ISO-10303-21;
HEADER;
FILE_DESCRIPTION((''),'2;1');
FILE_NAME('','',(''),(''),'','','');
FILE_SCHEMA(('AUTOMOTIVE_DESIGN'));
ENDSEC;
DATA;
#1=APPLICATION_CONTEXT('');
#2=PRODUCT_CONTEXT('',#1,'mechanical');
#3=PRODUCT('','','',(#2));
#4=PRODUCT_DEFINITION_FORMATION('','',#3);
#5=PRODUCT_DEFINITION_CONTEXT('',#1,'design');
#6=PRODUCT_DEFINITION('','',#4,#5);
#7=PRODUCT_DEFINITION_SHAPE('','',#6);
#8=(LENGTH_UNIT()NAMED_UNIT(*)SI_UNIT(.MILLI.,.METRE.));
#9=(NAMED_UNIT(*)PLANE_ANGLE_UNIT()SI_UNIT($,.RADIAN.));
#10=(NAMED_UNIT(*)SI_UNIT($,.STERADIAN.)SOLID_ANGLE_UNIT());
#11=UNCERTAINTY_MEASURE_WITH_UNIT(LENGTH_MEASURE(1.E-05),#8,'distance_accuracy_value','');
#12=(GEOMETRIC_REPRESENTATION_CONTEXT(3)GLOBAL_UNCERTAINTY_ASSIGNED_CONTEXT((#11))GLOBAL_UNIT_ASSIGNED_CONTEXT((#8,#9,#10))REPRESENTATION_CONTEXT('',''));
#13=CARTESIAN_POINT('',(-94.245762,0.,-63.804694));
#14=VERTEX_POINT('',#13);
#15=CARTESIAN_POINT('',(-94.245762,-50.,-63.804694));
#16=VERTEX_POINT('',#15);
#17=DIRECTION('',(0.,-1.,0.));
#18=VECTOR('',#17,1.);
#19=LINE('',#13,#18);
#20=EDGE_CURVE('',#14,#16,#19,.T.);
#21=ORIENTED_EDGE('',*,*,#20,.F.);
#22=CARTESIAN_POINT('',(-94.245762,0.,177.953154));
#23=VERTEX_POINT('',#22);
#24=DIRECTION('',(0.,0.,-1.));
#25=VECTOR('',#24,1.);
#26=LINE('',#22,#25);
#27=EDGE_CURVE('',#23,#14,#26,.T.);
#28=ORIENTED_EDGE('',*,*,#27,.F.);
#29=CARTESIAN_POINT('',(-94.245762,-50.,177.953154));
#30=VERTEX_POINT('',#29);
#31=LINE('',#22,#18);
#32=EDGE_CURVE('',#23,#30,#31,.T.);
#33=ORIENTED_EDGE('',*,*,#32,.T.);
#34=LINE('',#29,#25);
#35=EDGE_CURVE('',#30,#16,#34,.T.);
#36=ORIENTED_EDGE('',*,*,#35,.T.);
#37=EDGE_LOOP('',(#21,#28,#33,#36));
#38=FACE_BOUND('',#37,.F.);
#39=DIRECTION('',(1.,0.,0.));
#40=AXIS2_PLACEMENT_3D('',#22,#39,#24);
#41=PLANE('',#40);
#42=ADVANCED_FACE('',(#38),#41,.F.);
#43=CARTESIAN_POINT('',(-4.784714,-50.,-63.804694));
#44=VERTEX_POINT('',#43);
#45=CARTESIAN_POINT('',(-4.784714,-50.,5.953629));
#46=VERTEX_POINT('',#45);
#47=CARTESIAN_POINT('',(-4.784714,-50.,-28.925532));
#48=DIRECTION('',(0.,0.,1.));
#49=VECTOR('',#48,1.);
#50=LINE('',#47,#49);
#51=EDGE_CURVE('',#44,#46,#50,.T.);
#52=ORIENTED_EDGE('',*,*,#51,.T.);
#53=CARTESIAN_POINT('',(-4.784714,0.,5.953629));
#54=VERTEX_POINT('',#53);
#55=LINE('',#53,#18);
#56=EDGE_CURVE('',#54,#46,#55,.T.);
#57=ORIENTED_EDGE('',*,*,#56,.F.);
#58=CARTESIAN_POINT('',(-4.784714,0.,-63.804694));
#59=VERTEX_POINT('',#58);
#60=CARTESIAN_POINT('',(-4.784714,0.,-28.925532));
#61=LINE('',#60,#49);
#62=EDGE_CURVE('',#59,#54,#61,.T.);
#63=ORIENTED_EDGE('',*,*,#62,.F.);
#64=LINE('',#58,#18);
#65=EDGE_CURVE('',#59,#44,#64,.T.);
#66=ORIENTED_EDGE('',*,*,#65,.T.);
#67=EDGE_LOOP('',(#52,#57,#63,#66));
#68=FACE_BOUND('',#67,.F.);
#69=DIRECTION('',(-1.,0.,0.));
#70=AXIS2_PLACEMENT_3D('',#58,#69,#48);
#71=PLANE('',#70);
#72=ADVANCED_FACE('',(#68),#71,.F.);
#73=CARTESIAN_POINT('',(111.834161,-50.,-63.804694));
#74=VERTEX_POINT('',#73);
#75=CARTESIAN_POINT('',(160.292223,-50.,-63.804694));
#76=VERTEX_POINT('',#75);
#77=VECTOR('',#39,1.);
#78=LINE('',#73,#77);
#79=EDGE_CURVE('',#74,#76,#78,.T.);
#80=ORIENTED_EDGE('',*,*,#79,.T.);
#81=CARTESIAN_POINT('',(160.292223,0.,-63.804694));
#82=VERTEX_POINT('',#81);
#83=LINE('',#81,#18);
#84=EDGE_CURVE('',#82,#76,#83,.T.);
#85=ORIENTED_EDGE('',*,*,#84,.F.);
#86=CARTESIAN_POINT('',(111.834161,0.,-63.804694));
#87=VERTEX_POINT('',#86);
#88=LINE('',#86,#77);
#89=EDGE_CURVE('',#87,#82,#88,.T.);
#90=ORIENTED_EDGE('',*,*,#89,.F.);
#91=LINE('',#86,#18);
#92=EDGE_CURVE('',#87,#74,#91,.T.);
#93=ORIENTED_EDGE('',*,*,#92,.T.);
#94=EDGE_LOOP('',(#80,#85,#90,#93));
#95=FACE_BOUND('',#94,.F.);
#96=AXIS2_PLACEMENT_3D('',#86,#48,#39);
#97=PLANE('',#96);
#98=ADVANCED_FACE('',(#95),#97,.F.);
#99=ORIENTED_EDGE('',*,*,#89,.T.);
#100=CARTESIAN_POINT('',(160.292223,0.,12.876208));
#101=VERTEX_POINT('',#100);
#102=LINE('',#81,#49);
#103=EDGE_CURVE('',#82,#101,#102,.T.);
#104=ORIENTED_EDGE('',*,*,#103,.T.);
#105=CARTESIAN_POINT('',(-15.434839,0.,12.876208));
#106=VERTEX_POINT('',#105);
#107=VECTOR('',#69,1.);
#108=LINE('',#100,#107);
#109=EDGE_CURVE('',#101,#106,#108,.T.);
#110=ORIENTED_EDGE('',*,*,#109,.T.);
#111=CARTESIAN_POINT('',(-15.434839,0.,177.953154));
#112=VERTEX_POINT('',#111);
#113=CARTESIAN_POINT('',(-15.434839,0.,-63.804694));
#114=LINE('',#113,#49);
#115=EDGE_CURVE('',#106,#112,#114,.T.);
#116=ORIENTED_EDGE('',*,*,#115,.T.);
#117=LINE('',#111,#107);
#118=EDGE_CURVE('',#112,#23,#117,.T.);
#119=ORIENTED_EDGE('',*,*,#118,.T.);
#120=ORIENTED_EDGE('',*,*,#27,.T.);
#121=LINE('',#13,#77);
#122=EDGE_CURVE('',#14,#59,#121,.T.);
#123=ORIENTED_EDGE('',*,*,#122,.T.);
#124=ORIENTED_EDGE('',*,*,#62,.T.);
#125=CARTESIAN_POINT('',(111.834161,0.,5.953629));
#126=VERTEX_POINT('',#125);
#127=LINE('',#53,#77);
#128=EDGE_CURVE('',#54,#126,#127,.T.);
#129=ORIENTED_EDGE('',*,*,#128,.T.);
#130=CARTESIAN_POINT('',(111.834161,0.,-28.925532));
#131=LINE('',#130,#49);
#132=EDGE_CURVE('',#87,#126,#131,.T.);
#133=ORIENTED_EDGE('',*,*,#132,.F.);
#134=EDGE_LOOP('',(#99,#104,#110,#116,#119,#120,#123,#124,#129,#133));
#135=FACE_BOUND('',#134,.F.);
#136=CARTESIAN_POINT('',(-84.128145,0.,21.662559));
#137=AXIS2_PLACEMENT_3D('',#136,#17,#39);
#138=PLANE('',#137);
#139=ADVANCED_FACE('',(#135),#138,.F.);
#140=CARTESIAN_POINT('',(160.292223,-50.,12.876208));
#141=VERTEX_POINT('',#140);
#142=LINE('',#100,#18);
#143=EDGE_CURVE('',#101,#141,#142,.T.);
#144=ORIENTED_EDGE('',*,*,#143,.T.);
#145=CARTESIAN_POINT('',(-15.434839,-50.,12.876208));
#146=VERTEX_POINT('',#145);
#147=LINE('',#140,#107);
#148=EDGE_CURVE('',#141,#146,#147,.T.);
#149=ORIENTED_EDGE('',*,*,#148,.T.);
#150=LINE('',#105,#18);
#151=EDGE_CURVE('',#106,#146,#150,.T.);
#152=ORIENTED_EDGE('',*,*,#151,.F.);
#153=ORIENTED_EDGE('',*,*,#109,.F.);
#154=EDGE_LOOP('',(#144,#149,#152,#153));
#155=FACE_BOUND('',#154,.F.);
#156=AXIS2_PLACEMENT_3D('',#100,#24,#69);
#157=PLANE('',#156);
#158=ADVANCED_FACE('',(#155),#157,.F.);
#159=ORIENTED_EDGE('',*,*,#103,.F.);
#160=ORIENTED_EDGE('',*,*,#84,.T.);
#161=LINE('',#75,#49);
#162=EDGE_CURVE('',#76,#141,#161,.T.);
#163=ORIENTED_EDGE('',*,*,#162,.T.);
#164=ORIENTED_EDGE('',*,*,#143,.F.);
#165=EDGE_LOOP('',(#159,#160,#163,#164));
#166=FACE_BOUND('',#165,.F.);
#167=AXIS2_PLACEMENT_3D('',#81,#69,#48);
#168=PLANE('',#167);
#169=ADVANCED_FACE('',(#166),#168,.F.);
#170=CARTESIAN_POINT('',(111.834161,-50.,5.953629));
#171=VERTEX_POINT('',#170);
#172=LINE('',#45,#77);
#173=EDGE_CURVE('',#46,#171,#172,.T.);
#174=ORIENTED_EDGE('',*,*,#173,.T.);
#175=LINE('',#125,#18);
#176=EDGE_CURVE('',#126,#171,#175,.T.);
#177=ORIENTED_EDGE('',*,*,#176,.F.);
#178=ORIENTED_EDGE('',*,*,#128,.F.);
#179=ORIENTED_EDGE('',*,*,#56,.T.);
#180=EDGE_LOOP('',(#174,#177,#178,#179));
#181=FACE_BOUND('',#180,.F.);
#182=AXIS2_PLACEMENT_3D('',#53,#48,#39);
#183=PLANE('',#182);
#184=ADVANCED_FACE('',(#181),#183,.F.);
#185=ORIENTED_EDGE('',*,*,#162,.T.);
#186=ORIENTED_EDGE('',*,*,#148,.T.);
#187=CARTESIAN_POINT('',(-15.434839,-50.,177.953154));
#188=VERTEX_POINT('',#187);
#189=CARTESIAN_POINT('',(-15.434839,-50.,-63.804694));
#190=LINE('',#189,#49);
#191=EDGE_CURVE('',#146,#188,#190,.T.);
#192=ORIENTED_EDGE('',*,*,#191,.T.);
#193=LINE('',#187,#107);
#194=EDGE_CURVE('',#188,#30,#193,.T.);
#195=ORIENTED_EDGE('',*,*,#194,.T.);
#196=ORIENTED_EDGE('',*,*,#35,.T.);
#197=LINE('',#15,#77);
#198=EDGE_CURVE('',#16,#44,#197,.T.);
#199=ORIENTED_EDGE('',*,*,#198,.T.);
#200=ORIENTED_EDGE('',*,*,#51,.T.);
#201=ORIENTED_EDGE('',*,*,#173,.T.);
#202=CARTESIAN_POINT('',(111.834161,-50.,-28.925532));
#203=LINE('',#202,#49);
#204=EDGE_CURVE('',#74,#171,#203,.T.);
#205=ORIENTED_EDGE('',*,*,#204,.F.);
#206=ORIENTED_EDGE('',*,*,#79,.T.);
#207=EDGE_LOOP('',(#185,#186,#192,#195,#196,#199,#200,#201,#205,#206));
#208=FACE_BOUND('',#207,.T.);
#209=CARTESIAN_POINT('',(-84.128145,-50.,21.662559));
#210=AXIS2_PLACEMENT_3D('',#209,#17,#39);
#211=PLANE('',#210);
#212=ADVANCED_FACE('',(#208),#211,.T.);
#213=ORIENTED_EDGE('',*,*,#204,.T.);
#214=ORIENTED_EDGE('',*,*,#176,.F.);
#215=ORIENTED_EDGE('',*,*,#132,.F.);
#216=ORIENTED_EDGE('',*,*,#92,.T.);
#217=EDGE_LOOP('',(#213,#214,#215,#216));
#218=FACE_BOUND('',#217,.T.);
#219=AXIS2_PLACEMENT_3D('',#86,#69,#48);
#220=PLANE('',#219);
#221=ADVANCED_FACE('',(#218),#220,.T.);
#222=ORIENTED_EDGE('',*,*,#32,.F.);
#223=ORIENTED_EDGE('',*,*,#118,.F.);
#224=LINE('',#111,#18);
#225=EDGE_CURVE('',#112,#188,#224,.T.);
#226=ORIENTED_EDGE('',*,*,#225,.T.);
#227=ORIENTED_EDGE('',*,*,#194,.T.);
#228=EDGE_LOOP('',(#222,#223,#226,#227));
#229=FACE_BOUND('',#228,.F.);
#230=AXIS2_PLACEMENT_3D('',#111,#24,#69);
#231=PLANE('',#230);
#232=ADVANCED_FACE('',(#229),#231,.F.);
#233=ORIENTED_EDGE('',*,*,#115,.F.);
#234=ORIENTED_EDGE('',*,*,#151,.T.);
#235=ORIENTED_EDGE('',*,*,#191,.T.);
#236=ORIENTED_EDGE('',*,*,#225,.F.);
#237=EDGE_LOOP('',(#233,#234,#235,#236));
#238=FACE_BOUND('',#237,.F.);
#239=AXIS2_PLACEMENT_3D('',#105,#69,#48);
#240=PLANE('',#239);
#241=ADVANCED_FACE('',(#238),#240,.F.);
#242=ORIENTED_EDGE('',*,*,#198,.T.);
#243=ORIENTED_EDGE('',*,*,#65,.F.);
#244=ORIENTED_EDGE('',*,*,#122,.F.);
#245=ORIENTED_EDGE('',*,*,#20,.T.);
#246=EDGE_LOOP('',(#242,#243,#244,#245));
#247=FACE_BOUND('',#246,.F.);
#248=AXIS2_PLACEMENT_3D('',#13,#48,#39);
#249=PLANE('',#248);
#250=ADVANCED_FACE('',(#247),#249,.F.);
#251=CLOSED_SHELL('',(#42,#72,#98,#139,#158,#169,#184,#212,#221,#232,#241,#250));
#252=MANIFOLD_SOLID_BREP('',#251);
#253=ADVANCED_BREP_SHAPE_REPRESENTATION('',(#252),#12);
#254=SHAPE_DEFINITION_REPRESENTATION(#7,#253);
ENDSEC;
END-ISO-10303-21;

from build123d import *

# Parameters (mm, degrees)
F1_W     = 20.2352330089
F1_H     = 170.9345057607
F1_W_2   = 10.6501244009
F1_H_2   = 69.7583220899
F1_W_3   = 37.8079488873
F1_W_4   = 10.650113225
F2_DEPTH = 50


with BuildPart() as f2:
    # F1 (on face) → F2 (new body)
    with BuildSketch(Plane.XZ):
        with Locations((-84.1281451285, 21.6625593603)):
            Rectangle(F1_W, F1_H)
        Polygon((-74.0105286241, 107.1298122406), (-74.0105286241, -63.8046935201), (-15.4348388314, -63.8046935201), (-15.4348388314, 5.9536285698), (-15.4348388314, 12.8762079403), (-15.4348388314, 107.1298122406), align=None)
        Polygon((-94.2457616329, 177.9531538486), (-94.2457616329, 107.1298122406), (-74.0105286241, 107.1298122406), (-15.4348388314, 107.1298122406), (-15.4348388314, 177.9531538486), align=None)
        with Locations((-10.109776631, -28.9255324751)):
            Rectangle(F1_W_2, F1_H_2)
        Polygon((-15.4348388314, 12.8762079403), (-15.4348388314, 5.9536285698), (-4.7847144306, 5.9536285698), (111.8341609836, 5.9536285698), (149.6421098709, 5.9536285698), (160.2922230959, 5.9536285698), (160.2922230959, 12.8762079403), align=None)
        with Locations((130.7381354272, -28.9255324751)):
            Rectangle(F1_W_3, F1_H_2)
        with Locations((154.9671664834, -28.9255324751)):
            Rectangle(F1_W_4, F1_H_2)
    extrude(amount=F2_DEPTH)


solid = f2.part
